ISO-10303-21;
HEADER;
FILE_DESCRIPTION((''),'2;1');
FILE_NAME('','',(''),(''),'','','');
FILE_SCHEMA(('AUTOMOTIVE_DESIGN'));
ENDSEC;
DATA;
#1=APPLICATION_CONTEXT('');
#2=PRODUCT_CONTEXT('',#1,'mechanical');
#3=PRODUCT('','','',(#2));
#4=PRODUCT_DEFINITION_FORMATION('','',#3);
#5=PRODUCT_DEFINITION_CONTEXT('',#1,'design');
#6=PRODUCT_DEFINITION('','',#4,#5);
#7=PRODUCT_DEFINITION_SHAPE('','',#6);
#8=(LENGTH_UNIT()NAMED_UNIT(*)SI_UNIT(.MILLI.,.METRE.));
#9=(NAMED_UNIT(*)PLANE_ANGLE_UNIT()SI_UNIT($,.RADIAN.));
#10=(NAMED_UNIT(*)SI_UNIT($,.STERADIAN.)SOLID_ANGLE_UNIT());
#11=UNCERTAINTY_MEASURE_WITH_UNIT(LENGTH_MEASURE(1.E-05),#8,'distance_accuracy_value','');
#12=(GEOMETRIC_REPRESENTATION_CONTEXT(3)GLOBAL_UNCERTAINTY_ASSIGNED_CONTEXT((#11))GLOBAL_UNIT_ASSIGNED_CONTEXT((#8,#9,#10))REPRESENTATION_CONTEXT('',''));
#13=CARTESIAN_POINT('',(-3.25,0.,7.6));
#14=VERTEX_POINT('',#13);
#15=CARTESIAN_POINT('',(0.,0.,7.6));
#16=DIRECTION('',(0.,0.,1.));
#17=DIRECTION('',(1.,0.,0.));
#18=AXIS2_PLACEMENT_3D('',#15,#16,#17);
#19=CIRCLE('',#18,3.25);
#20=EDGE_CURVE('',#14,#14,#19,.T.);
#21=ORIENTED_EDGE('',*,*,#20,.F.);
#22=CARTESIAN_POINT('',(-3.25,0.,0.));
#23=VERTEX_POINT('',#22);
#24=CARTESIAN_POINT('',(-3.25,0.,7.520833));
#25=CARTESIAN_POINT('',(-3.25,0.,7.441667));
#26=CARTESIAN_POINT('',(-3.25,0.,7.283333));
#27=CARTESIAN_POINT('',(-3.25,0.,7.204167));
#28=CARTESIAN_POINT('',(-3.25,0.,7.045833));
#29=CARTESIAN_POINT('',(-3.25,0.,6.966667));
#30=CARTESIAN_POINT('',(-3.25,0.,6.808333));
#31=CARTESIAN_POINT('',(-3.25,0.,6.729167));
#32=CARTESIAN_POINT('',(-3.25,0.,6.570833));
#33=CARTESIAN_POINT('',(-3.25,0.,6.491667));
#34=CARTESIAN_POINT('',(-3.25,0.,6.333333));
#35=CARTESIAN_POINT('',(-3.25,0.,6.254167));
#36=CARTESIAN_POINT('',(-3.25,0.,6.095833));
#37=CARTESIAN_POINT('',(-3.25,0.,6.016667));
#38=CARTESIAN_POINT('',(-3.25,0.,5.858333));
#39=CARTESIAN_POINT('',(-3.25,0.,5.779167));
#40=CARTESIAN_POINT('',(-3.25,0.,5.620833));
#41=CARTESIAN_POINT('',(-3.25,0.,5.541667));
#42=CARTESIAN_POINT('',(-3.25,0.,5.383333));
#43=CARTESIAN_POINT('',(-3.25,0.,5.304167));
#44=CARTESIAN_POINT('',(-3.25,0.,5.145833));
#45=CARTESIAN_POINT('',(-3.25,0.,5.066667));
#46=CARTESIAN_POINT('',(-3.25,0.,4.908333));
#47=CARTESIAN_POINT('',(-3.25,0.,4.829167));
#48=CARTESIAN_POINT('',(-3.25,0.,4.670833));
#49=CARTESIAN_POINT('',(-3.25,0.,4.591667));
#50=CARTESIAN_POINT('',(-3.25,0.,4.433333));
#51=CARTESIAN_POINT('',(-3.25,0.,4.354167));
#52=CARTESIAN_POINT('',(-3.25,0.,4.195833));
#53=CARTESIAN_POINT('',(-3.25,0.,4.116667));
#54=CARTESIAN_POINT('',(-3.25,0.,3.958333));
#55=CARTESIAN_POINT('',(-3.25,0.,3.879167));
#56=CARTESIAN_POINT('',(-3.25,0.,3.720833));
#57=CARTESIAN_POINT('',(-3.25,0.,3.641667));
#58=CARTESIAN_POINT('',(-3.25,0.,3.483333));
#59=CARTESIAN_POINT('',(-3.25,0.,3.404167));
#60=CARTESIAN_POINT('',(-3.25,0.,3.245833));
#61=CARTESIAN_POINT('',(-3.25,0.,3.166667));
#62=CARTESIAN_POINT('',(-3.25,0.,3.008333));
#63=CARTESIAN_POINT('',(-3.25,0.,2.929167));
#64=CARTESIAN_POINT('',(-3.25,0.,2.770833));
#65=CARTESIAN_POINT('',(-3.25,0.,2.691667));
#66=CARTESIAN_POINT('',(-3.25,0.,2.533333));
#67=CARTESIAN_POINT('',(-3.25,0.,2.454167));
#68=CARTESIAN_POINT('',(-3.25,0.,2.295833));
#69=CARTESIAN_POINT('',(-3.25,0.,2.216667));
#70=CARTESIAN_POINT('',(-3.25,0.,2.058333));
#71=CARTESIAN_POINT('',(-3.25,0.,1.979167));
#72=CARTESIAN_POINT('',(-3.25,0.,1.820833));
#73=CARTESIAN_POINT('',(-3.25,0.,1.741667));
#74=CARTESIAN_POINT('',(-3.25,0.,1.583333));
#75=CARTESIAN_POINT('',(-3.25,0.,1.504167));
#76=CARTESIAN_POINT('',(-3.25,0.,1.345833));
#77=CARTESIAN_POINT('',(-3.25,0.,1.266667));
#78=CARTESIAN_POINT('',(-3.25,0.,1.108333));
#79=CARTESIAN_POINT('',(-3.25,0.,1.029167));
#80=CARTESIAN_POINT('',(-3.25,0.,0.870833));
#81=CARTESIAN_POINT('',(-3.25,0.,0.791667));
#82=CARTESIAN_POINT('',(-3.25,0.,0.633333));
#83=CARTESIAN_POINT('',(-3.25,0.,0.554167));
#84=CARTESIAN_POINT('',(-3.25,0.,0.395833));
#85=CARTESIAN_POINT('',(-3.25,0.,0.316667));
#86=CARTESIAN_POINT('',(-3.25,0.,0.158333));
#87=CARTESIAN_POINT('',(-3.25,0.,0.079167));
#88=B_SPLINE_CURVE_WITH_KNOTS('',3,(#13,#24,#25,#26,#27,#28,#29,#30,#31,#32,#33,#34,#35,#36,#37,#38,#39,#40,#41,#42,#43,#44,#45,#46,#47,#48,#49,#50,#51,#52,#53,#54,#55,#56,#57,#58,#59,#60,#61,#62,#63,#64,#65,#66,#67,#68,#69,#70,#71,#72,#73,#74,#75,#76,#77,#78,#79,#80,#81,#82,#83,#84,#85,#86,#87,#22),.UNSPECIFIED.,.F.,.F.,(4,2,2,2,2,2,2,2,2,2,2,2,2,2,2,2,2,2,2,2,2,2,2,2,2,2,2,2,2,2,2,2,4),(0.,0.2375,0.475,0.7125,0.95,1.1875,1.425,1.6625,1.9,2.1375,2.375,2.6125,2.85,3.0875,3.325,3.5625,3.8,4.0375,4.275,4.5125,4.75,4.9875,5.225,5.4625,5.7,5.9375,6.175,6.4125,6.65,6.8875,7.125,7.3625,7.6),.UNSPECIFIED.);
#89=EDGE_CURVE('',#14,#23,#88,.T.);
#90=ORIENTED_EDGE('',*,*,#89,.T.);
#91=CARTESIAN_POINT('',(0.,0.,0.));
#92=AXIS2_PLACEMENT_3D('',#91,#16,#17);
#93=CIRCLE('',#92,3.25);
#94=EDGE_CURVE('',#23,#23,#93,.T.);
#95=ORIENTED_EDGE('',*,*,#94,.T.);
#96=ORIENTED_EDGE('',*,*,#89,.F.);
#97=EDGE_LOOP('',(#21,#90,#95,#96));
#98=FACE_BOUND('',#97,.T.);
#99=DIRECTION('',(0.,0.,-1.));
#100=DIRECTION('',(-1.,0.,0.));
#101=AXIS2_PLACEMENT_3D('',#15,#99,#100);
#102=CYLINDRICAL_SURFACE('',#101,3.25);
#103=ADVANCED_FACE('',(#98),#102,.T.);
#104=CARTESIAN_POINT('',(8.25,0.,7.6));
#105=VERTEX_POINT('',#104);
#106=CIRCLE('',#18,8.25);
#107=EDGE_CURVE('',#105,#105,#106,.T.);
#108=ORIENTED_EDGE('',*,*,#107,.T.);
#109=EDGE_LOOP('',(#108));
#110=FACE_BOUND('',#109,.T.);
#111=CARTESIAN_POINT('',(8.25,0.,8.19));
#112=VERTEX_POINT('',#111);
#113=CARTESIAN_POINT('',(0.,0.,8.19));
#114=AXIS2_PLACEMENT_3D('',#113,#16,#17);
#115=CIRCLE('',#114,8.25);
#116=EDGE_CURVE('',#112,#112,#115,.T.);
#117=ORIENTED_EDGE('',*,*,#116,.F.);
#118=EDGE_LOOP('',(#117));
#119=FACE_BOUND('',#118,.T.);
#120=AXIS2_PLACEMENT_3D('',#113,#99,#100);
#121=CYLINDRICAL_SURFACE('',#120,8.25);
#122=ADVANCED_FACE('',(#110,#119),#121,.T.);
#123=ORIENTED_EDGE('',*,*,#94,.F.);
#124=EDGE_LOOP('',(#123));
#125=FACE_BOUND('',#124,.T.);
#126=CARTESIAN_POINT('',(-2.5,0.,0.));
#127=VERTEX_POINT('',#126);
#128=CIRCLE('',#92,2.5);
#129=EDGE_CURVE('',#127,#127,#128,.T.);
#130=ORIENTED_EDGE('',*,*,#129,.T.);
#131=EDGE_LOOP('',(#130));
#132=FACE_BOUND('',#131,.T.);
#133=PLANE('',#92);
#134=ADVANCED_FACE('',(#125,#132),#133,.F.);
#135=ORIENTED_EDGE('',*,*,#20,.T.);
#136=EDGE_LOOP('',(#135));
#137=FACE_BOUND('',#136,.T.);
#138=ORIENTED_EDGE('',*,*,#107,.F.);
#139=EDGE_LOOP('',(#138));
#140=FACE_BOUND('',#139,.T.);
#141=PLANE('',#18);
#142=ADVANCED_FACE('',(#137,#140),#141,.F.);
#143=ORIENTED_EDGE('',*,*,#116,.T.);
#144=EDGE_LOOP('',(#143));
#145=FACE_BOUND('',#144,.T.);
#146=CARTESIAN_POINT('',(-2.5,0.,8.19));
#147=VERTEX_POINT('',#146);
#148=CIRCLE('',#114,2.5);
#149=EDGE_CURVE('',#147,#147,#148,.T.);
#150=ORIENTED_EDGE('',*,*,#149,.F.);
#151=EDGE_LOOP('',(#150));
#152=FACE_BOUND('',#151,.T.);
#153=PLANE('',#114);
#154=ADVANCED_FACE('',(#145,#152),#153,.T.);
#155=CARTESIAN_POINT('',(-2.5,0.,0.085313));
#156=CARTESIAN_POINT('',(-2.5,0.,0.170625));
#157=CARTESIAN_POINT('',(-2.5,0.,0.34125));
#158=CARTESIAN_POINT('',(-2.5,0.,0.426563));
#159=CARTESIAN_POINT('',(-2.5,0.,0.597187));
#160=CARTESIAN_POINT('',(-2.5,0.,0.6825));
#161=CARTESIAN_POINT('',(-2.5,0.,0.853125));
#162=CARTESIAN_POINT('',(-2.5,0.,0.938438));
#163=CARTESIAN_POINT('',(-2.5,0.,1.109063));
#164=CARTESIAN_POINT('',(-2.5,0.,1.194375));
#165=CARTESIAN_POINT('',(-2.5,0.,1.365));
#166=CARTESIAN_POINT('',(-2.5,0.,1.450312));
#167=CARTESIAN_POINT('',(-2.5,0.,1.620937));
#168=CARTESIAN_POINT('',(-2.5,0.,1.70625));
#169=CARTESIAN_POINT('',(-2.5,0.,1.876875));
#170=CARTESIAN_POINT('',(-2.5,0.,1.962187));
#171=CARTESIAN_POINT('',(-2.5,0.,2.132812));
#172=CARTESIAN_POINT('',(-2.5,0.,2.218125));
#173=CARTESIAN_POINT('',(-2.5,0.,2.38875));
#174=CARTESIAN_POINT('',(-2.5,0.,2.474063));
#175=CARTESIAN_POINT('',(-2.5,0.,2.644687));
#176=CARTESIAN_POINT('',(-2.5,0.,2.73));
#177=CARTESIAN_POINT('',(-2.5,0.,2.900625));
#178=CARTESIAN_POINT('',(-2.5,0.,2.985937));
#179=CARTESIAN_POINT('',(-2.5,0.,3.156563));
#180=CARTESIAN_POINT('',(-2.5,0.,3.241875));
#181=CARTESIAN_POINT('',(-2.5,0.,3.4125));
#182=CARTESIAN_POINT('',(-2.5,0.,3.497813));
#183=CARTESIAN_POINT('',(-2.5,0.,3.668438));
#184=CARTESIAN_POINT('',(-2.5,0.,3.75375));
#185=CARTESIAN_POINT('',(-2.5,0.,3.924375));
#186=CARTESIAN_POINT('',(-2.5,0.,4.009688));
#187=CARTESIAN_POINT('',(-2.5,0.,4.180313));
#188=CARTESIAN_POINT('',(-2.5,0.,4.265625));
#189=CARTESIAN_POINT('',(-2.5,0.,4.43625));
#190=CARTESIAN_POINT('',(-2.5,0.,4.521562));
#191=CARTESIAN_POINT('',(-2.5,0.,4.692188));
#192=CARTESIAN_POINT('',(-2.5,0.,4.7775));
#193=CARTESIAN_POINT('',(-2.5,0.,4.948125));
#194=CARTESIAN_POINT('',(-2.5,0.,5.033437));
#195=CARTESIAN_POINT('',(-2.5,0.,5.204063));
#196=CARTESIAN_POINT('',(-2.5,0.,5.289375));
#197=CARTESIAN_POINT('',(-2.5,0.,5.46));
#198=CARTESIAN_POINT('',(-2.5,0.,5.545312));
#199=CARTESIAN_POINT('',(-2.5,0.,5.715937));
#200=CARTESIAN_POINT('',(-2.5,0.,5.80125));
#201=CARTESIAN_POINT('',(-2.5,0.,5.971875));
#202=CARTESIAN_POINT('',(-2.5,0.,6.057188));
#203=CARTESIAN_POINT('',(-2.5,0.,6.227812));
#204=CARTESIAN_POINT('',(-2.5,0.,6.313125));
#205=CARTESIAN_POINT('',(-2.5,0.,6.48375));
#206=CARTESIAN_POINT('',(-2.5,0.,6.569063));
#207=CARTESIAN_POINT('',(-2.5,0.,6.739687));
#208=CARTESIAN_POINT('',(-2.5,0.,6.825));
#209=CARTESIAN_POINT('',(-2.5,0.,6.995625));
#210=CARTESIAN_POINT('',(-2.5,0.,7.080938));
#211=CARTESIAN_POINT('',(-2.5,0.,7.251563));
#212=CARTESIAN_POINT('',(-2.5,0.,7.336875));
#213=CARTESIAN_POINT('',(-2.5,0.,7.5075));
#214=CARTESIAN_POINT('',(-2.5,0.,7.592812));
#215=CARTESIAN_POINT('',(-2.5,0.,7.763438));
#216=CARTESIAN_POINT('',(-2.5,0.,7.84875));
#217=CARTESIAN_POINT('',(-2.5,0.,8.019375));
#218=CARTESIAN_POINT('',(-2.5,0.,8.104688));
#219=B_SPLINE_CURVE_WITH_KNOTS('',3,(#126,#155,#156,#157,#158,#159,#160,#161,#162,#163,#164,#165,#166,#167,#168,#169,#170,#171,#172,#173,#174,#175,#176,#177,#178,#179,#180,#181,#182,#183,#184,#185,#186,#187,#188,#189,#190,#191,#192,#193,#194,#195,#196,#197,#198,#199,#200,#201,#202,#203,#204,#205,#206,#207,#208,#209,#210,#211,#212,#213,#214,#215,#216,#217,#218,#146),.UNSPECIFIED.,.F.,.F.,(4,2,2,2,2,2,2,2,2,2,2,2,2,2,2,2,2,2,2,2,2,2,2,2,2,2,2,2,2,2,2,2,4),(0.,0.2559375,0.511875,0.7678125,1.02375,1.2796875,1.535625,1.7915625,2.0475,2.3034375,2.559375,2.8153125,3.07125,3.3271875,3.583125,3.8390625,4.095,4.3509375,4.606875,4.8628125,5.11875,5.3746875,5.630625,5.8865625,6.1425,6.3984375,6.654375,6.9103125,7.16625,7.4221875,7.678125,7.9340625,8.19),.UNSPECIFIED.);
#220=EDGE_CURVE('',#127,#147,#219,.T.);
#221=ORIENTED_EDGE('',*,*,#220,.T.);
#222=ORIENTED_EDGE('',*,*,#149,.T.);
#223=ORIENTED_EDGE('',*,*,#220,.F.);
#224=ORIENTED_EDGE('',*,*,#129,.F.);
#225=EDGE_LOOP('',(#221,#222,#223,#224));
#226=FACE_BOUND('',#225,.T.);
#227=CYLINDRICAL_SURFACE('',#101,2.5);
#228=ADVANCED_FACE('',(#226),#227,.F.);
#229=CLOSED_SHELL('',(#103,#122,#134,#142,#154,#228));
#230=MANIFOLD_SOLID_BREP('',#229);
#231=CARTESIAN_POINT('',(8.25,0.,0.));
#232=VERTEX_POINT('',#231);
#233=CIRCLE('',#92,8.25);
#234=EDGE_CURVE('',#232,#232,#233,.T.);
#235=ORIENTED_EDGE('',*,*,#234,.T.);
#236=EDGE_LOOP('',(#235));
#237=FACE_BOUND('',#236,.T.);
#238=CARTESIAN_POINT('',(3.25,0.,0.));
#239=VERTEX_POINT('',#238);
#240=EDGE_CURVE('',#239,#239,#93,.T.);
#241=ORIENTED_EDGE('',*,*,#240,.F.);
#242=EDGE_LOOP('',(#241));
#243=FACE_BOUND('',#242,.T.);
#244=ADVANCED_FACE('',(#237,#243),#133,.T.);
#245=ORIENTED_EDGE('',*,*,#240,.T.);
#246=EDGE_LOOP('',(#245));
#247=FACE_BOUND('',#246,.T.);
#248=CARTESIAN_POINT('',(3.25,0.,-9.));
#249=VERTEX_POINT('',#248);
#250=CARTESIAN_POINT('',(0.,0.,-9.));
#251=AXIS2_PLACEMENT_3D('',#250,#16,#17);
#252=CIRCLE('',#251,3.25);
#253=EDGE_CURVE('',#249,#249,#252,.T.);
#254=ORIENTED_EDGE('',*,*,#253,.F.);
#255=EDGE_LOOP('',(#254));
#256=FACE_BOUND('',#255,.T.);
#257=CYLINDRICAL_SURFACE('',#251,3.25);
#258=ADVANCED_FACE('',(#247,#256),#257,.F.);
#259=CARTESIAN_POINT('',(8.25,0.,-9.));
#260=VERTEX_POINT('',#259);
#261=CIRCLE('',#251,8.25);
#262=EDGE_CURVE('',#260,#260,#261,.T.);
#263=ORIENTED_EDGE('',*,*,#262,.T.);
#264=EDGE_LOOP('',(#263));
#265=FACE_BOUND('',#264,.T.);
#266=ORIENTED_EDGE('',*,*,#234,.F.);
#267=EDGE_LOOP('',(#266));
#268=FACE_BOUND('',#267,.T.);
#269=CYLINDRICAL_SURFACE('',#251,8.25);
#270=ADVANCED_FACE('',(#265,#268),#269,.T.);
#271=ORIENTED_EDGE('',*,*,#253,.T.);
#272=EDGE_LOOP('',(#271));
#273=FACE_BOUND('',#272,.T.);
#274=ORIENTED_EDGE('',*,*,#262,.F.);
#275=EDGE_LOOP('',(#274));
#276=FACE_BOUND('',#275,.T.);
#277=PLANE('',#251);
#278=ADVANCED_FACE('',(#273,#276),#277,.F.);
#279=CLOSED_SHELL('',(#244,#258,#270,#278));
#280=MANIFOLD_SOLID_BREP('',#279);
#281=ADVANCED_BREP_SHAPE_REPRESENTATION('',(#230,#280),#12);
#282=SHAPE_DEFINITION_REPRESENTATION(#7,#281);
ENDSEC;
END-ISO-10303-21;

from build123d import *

# Parameters (mm, degrees)
SKETCH1_R           = 3.25
SKETCH1_R_2         = 2.5
BOSS_EXTRUDE1_DEPTH = 7.6
SKETCH1_3_R         = 8.25
SKETCH1_3_R_2       = 3.25
BOSS_EXTRUDE2_DEPTH = 9
SKETCH2_R           = 8.25
SKETCH2_R_2         = 2.5
BOSS_EXTRUDE3_DEPTH = 0.59


with BuildPart() as part:
    # Sketch1 → Boss-Extrude1 (new body)
    with BuildSketch(Plane.XY):
        with Locations(Location((0, 0, 0), (0, 0, 180))):
            Circle(SKETCH1_R)
        with Locations(Location((0, 0, 0), (0, 0, 180))):
            Circle(SKETCH1_R_2, mode=Mode.SUBTRACT)
    extrude(amount=BOSS_EXTRUDE1_DEPTH)

    # Sketch2 → Boss-Extrude3 (add)
    with BuildSketch(Plane.XY.offset(7.6)):
        Circle(SKETCH2_R)
        with Locations(Location((0, 0, 0), (0, 0, 180))):
            Circle(SKETCH2_R_2, mode=Mode.SUBTRACT)
    extrude(amount=BOSS_EXTRUDE3_DEPTH)


with BuildPart() as body_2:
    # Sketch1<3> → Boss-Extrude2 (new body)
    with BuildSketch(Plane.XY):
        Circle(SKETCH1_3_R)
        Circle(SKETCH1_3_R_2, mode=Mode.SUBTRACT)
    extrude(amount=-BOSS_EXTRUDE2_DEPTH)


solid = Compound([part.part, body_2.part])
